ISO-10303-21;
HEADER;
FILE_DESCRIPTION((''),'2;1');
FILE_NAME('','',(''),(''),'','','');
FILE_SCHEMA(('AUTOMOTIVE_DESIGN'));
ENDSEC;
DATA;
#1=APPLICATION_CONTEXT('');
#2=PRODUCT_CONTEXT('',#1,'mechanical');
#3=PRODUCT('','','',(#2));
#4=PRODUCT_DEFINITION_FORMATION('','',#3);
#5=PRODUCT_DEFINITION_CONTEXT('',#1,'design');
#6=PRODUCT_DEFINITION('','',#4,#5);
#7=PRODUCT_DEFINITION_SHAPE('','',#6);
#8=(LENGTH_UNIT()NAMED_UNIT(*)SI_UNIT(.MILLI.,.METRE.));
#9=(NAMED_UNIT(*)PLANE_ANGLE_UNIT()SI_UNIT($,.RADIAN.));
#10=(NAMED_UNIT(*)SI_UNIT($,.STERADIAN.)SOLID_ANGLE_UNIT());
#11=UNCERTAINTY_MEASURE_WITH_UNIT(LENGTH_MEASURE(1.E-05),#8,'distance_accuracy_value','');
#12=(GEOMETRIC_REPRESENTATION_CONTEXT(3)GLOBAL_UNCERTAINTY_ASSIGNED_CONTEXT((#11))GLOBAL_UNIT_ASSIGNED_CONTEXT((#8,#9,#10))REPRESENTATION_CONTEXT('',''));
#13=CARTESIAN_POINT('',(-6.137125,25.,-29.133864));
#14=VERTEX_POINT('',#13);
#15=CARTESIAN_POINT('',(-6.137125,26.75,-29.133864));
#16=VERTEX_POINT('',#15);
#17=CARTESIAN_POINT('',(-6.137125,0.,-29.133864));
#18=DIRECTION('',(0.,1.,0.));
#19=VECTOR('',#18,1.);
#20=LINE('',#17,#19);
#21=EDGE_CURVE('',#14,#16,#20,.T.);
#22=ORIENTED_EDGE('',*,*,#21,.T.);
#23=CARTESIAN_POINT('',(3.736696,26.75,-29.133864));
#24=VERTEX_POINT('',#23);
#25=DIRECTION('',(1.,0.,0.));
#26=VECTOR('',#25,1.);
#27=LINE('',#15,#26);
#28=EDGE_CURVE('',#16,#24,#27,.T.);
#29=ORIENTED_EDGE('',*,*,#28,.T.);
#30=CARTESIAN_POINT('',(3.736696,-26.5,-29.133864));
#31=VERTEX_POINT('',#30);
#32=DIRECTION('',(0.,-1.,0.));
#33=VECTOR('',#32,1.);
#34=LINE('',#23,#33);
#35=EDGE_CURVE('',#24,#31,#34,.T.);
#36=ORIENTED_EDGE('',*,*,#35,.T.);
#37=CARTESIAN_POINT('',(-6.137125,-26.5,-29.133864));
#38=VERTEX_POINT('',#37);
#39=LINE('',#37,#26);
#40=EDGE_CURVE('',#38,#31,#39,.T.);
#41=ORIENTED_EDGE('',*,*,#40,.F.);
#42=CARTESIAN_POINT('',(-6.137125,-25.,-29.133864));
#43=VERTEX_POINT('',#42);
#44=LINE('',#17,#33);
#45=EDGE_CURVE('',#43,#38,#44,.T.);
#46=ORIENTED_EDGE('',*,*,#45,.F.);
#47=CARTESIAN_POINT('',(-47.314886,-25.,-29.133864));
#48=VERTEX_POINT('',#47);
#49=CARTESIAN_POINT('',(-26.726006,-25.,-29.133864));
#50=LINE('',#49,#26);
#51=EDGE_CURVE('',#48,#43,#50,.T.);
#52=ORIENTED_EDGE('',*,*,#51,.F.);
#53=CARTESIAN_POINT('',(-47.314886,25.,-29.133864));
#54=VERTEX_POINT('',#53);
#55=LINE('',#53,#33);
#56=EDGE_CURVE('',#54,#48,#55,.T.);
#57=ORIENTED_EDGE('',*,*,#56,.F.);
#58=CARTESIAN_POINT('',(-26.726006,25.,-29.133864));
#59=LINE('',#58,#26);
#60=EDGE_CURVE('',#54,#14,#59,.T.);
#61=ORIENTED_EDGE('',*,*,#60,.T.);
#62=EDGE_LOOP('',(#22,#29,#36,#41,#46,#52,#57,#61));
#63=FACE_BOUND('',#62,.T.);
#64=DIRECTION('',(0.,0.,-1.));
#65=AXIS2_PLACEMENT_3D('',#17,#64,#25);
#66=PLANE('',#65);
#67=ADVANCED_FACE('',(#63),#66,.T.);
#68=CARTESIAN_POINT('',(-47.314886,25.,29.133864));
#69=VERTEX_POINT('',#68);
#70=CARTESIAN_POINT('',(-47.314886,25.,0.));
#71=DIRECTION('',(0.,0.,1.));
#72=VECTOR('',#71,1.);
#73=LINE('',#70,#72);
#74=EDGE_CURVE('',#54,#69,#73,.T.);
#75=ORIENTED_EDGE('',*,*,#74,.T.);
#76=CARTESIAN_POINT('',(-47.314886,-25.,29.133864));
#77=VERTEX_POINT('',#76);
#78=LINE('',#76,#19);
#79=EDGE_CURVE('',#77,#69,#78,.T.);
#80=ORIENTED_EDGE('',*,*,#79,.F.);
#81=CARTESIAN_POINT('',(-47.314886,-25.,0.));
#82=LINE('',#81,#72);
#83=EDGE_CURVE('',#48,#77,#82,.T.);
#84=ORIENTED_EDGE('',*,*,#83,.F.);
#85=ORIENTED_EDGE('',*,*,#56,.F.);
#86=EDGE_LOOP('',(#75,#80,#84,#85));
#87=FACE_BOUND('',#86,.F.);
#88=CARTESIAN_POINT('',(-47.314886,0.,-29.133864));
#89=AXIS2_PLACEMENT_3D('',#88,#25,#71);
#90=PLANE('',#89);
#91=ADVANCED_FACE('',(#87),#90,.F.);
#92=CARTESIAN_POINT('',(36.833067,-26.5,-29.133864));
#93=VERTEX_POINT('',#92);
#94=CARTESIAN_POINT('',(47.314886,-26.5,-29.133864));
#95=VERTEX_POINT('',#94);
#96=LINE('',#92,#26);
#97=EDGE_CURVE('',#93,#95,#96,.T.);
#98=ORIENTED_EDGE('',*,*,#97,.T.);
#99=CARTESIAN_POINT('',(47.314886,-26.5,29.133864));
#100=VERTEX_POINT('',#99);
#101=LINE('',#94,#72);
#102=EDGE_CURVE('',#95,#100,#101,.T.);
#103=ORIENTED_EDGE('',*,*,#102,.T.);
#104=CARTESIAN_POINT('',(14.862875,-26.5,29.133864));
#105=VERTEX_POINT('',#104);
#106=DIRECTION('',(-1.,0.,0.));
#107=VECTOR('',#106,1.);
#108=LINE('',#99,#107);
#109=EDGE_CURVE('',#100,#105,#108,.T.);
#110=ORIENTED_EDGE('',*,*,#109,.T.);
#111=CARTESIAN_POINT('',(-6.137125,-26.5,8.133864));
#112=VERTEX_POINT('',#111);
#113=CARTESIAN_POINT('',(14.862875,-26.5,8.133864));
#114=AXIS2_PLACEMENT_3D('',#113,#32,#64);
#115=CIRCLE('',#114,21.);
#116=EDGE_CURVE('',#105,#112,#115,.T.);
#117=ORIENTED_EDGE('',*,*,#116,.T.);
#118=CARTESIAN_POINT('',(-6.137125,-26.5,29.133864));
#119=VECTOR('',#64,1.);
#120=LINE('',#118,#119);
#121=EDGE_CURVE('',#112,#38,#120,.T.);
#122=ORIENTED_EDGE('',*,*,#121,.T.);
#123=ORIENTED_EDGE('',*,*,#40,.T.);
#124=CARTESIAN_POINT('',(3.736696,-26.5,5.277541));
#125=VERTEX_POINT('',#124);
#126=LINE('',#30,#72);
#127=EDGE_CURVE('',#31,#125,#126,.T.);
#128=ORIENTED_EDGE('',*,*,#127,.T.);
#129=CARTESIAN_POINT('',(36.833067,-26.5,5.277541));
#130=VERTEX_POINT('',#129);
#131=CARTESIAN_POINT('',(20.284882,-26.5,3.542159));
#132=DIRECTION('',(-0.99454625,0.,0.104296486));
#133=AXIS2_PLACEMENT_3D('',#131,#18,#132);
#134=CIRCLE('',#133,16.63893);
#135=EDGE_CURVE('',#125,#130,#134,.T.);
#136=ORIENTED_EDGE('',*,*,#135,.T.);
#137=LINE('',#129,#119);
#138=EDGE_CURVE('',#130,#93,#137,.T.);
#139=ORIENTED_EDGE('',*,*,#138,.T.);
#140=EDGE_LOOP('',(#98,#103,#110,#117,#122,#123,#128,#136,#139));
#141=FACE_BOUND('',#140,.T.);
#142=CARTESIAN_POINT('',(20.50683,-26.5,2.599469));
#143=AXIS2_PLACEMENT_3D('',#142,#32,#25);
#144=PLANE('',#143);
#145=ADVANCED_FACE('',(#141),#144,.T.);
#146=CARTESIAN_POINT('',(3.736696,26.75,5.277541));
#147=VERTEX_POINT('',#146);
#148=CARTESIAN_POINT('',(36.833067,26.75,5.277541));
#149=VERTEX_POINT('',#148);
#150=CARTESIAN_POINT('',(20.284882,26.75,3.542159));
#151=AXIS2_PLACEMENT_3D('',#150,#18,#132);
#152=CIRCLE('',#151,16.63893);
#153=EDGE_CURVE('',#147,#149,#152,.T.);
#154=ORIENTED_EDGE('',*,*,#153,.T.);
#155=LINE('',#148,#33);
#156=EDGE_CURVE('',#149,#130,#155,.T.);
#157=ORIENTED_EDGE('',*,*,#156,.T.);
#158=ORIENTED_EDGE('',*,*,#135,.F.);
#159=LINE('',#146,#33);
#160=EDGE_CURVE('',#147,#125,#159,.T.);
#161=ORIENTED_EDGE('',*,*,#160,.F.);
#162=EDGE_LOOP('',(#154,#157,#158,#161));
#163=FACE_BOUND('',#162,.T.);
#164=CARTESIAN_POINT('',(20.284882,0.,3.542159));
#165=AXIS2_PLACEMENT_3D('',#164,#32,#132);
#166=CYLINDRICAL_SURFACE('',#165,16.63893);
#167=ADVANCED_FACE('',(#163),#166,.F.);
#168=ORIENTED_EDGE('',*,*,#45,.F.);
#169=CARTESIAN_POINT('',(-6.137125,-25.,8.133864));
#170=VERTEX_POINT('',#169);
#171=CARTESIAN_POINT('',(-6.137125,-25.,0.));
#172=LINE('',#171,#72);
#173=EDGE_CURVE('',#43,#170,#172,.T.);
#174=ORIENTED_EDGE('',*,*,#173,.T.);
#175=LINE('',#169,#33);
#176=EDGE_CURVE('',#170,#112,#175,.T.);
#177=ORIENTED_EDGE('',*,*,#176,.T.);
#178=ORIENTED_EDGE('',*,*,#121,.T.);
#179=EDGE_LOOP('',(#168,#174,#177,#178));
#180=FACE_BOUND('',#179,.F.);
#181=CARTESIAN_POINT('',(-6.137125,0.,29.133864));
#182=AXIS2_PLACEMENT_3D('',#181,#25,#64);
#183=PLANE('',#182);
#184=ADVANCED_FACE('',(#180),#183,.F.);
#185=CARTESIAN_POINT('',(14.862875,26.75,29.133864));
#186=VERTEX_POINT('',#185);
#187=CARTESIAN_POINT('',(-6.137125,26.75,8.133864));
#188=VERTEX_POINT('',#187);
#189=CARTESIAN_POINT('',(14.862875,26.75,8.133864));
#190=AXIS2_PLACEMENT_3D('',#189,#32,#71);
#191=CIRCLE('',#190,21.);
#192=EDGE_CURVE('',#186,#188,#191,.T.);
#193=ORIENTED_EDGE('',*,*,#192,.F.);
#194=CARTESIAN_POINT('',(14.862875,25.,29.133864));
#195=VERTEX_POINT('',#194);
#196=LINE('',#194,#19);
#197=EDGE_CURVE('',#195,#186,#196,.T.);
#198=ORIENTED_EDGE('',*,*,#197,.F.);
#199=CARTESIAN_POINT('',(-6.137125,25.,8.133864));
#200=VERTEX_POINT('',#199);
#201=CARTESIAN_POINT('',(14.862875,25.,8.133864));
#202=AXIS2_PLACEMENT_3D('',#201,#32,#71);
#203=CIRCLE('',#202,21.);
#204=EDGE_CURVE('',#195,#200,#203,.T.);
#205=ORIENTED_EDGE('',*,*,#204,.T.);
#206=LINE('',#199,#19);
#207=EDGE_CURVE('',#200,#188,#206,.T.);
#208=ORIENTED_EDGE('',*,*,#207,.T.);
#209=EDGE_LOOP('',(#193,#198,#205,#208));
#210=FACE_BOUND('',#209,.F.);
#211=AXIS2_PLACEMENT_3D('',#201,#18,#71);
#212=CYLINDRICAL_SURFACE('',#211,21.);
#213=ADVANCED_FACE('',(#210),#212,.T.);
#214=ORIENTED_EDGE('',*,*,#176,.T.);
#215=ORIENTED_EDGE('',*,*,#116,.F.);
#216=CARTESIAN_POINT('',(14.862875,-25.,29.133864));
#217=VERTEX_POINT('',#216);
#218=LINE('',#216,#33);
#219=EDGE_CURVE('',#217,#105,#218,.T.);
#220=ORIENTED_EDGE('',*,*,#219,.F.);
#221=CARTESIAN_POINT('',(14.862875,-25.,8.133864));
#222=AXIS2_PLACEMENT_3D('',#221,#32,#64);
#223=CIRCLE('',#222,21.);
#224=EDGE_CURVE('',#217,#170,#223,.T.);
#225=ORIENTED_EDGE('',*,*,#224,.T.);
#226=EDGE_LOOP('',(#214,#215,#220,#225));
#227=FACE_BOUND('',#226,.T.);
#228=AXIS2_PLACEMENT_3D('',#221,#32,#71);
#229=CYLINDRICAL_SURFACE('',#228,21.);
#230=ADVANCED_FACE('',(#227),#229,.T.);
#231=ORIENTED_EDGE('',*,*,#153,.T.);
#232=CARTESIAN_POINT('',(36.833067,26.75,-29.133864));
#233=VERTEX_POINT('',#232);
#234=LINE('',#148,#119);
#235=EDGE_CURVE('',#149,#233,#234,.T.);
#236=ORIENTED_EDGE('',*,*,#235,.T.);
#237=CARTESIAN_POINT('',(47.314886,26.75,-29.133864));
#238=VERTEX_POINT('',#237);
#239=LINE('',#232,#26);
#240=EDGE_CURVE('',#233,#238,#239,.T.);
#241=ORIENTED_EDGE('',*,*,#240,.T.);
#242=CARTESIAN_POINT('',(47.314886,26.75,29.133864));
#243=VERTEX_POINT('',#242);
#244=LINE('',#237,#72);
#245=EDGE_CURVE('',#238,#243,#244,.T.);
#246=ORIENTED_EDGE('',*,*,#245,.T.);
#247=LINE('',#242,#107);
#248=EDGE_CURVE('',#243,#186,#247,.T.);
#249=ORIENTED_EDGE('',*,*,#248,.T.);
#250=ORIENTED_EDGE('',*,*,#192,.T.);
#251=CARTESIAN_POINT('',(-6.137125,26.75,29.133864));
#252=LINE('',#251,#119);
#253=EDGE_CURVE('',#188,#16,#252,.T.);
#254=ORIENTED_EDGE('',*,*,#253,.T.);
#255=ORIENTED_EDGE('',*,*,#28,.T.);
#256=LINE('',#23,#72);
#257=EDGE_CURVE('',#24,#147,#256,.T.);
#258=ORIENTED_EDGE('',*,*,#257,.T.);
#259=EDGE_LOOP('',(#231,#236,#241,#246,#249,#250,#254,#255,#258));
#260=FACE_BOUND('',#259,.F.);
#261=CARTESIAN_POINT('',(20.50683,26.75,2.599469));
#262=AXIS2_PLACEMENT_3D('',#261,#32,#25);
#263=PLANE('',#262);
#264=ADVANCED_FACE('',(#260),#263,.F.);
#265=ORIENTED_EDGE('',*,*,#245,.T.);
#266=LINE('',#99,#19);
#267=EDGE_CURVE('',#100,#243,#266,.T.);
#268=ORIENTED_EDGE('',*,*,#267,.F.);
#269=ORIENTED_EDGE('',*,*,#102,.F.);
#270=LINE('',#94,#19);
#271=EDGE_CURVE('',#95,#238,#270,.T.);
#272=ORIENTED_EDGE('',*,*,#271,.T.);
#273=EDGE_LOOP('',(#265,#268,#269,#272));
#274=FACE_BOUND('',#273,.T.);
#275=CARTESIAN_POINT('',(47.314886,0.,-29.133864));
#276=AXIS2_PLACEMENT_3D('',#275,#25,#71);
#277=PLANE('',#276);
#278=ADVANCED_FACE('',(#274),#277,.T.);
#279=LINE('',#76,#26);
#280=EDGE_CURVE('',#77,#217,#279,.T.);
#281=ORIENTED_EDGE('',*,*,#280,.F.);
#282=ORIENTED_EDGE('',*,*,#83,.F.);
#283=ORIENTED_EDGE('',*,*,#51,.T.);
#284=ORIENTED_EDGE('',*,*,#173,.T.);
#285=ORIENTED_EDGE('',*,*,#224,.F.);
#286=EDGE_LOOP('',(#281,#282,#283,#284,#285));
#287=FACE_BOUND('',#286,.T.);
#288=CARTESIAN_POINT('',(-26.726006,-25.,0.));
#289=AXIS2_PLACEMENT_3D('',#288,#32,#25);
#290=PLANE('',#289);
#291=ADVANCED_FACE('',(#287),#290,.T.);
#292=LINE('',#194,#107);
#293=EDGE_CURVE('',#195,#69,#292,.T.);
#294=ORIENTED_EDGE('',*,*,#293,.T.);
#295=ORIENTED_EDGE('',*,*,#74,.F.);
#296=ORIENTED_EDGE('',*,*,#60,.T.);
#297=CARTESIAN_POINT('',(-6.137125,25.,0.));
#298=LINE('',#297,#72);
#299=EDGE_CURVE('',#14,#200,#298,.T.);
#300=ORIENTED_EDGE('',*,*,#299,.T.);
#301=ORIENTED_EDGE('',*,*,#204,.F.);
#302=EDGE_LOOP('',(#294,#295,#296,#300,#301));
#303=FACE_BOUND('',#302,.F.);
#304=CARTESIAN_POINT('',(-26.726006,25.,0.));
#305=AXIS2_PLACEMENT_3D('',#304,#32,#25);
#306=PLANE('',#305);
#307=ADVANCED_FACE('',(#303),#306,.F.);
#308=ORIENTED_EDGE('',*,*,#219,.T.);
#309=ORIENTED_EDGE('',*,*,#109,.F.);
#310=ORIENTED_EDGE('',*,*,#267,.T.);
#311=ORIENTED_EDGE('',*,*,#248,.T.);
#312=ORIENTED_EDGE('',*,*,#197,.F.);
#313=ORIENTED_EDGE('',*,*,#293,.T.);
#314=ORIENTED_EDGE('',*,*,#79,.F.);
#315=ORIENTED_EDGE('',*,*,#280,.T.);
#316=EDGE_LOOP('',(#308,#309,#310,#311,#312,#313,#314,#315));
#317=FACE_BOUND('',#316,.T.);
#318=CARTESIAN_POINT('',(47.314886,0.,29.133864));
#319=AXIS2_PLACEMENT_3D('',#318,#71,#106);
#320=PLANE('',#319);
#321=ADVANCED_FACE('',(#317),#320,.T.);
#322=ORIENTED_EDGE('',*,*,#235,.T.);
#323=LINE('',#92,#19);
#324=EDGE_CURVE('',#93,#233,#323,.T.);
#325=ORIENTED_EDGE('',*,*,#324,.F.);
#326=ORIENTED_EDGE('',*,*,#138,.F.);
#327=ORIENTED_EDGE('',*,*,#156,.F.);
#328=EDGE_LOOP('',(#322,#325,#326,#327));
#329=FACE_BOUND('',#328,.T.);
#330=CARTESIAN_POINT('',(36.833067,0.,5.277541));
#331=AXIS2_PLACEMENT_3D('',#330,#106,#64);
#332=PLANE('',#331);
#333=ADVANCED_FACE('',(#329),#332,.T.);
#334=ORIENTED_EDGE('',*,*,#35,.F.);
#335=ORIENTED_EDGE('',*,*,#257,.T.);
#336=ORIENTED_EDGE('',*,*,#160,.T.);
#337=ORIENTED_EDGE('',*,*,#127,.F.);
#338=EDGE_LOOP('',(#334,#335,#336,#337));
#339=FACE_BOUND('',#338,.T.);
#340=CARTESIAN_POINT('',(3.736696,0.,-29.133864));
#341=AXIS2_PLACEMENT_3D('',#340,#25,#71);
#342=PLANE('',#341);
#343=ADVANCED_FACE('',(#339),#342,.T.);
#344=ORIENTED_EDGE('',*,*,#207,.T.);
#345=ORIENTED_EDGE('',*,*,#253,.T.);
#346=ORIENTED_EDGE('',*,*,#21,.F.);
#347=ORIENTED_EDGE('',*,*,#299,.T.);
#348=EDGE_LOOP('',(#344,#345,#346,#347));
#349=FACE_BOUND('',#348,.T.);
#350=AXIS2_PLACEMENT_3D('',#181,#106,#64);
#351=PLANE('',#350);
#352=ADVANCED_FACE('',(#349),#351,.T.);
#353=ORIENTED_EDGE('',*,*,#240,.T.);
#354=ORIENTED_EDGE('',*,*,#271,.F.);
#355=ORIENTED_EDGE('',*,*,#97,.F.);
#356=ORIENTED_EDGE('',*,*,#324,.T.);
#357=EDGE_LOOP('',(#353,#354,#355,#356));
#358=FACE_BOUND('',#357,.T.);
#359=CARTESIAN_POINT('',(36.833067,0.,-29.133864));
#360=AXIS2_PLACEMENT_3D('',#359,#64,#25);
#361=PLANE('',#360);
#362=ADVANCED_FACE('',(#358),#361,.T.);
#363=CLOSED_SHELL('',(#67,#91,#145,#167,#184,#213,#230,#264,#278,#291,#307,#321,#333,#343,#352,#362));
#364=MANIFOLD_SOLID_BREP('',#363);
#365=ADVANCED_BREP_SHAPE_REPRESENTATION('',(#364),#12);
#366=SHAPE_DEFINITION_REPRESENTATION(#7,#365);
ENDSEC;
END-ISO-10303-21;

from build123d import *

# Parameters (mm, degrees)
F0_W          = 41.1777616951
F0_H          = 58.2677274942
F1_DEPTH      = 25
F1_DEPTH_BACK = 25
F2_DEPTH      = 26.5
F2_DEPTH_BACK = 26.75
F3_R          = 21
F4_R          = 21


with BuildPart() as f1:
    # F0 (on Front) → F1 (new body, two sides)
    with BuildSketch(Plane.XZ) as f1_sk:
        with Locations((-26.726005576, 0)):
            Rectangle(F0_W, F0_H)
    extrude(amount=F1_DEPTH)
    extrude(f1_sk.sketch, amount=-F1_DEPTH_BACK)

    # F0 (on Front) → F2 (join, two sides)
    with BuildSketch(Plane.XZ) as f2_sk:
        with BuildLine():
            Line((47.3148864236, 29.1338637471), (-6.1371247284, 29.1338637471))
            Line((-6.1371247284, 29.1338637471), (-6.1371247284, -29.1338637471))
            Line((-6.1371247284, -29.1338637471), (3.736696206, -29.1338637471))
            Line((3.736696206, -29.1338637471), (3.736696206, 5.2775406944))
            ThreePointArc((3.736696206, 5.2775406944), (20.2848818153, 20.1810889299), (36.8330674246, 5.2775406944))
            Line((36.8330674246, 5.2775406944), (36.8330674246, -29.1338637471))
            Line((36.8330674246, -29.1338637471), (47.3148864236, -29.1338637471))
            Line((47.3148864236, -29.1338637471), (47.3148864236, 29.1338637471))
        make_face()
    extrude(amount=F2_DEPTH)
    extrude(f2_sk.sketch, amount=-F2_DEPTH_BACK)

    # F3
    f3_edges = [f1.edges().sort_by_distance(p)[0] for p in [
        (-6.137125, -25.75, 29.133864),
    ]]
    fillet(f3_edges, radius=F3_R)

    # F4
    f4_edges = [f1.edges().sort_by_distance(p)[0] for p in [
        (-6.137125, 25.875, 29.133864),
    ]]
    fillet(f4_edges, radius=F4_R)


solid = f1.part
